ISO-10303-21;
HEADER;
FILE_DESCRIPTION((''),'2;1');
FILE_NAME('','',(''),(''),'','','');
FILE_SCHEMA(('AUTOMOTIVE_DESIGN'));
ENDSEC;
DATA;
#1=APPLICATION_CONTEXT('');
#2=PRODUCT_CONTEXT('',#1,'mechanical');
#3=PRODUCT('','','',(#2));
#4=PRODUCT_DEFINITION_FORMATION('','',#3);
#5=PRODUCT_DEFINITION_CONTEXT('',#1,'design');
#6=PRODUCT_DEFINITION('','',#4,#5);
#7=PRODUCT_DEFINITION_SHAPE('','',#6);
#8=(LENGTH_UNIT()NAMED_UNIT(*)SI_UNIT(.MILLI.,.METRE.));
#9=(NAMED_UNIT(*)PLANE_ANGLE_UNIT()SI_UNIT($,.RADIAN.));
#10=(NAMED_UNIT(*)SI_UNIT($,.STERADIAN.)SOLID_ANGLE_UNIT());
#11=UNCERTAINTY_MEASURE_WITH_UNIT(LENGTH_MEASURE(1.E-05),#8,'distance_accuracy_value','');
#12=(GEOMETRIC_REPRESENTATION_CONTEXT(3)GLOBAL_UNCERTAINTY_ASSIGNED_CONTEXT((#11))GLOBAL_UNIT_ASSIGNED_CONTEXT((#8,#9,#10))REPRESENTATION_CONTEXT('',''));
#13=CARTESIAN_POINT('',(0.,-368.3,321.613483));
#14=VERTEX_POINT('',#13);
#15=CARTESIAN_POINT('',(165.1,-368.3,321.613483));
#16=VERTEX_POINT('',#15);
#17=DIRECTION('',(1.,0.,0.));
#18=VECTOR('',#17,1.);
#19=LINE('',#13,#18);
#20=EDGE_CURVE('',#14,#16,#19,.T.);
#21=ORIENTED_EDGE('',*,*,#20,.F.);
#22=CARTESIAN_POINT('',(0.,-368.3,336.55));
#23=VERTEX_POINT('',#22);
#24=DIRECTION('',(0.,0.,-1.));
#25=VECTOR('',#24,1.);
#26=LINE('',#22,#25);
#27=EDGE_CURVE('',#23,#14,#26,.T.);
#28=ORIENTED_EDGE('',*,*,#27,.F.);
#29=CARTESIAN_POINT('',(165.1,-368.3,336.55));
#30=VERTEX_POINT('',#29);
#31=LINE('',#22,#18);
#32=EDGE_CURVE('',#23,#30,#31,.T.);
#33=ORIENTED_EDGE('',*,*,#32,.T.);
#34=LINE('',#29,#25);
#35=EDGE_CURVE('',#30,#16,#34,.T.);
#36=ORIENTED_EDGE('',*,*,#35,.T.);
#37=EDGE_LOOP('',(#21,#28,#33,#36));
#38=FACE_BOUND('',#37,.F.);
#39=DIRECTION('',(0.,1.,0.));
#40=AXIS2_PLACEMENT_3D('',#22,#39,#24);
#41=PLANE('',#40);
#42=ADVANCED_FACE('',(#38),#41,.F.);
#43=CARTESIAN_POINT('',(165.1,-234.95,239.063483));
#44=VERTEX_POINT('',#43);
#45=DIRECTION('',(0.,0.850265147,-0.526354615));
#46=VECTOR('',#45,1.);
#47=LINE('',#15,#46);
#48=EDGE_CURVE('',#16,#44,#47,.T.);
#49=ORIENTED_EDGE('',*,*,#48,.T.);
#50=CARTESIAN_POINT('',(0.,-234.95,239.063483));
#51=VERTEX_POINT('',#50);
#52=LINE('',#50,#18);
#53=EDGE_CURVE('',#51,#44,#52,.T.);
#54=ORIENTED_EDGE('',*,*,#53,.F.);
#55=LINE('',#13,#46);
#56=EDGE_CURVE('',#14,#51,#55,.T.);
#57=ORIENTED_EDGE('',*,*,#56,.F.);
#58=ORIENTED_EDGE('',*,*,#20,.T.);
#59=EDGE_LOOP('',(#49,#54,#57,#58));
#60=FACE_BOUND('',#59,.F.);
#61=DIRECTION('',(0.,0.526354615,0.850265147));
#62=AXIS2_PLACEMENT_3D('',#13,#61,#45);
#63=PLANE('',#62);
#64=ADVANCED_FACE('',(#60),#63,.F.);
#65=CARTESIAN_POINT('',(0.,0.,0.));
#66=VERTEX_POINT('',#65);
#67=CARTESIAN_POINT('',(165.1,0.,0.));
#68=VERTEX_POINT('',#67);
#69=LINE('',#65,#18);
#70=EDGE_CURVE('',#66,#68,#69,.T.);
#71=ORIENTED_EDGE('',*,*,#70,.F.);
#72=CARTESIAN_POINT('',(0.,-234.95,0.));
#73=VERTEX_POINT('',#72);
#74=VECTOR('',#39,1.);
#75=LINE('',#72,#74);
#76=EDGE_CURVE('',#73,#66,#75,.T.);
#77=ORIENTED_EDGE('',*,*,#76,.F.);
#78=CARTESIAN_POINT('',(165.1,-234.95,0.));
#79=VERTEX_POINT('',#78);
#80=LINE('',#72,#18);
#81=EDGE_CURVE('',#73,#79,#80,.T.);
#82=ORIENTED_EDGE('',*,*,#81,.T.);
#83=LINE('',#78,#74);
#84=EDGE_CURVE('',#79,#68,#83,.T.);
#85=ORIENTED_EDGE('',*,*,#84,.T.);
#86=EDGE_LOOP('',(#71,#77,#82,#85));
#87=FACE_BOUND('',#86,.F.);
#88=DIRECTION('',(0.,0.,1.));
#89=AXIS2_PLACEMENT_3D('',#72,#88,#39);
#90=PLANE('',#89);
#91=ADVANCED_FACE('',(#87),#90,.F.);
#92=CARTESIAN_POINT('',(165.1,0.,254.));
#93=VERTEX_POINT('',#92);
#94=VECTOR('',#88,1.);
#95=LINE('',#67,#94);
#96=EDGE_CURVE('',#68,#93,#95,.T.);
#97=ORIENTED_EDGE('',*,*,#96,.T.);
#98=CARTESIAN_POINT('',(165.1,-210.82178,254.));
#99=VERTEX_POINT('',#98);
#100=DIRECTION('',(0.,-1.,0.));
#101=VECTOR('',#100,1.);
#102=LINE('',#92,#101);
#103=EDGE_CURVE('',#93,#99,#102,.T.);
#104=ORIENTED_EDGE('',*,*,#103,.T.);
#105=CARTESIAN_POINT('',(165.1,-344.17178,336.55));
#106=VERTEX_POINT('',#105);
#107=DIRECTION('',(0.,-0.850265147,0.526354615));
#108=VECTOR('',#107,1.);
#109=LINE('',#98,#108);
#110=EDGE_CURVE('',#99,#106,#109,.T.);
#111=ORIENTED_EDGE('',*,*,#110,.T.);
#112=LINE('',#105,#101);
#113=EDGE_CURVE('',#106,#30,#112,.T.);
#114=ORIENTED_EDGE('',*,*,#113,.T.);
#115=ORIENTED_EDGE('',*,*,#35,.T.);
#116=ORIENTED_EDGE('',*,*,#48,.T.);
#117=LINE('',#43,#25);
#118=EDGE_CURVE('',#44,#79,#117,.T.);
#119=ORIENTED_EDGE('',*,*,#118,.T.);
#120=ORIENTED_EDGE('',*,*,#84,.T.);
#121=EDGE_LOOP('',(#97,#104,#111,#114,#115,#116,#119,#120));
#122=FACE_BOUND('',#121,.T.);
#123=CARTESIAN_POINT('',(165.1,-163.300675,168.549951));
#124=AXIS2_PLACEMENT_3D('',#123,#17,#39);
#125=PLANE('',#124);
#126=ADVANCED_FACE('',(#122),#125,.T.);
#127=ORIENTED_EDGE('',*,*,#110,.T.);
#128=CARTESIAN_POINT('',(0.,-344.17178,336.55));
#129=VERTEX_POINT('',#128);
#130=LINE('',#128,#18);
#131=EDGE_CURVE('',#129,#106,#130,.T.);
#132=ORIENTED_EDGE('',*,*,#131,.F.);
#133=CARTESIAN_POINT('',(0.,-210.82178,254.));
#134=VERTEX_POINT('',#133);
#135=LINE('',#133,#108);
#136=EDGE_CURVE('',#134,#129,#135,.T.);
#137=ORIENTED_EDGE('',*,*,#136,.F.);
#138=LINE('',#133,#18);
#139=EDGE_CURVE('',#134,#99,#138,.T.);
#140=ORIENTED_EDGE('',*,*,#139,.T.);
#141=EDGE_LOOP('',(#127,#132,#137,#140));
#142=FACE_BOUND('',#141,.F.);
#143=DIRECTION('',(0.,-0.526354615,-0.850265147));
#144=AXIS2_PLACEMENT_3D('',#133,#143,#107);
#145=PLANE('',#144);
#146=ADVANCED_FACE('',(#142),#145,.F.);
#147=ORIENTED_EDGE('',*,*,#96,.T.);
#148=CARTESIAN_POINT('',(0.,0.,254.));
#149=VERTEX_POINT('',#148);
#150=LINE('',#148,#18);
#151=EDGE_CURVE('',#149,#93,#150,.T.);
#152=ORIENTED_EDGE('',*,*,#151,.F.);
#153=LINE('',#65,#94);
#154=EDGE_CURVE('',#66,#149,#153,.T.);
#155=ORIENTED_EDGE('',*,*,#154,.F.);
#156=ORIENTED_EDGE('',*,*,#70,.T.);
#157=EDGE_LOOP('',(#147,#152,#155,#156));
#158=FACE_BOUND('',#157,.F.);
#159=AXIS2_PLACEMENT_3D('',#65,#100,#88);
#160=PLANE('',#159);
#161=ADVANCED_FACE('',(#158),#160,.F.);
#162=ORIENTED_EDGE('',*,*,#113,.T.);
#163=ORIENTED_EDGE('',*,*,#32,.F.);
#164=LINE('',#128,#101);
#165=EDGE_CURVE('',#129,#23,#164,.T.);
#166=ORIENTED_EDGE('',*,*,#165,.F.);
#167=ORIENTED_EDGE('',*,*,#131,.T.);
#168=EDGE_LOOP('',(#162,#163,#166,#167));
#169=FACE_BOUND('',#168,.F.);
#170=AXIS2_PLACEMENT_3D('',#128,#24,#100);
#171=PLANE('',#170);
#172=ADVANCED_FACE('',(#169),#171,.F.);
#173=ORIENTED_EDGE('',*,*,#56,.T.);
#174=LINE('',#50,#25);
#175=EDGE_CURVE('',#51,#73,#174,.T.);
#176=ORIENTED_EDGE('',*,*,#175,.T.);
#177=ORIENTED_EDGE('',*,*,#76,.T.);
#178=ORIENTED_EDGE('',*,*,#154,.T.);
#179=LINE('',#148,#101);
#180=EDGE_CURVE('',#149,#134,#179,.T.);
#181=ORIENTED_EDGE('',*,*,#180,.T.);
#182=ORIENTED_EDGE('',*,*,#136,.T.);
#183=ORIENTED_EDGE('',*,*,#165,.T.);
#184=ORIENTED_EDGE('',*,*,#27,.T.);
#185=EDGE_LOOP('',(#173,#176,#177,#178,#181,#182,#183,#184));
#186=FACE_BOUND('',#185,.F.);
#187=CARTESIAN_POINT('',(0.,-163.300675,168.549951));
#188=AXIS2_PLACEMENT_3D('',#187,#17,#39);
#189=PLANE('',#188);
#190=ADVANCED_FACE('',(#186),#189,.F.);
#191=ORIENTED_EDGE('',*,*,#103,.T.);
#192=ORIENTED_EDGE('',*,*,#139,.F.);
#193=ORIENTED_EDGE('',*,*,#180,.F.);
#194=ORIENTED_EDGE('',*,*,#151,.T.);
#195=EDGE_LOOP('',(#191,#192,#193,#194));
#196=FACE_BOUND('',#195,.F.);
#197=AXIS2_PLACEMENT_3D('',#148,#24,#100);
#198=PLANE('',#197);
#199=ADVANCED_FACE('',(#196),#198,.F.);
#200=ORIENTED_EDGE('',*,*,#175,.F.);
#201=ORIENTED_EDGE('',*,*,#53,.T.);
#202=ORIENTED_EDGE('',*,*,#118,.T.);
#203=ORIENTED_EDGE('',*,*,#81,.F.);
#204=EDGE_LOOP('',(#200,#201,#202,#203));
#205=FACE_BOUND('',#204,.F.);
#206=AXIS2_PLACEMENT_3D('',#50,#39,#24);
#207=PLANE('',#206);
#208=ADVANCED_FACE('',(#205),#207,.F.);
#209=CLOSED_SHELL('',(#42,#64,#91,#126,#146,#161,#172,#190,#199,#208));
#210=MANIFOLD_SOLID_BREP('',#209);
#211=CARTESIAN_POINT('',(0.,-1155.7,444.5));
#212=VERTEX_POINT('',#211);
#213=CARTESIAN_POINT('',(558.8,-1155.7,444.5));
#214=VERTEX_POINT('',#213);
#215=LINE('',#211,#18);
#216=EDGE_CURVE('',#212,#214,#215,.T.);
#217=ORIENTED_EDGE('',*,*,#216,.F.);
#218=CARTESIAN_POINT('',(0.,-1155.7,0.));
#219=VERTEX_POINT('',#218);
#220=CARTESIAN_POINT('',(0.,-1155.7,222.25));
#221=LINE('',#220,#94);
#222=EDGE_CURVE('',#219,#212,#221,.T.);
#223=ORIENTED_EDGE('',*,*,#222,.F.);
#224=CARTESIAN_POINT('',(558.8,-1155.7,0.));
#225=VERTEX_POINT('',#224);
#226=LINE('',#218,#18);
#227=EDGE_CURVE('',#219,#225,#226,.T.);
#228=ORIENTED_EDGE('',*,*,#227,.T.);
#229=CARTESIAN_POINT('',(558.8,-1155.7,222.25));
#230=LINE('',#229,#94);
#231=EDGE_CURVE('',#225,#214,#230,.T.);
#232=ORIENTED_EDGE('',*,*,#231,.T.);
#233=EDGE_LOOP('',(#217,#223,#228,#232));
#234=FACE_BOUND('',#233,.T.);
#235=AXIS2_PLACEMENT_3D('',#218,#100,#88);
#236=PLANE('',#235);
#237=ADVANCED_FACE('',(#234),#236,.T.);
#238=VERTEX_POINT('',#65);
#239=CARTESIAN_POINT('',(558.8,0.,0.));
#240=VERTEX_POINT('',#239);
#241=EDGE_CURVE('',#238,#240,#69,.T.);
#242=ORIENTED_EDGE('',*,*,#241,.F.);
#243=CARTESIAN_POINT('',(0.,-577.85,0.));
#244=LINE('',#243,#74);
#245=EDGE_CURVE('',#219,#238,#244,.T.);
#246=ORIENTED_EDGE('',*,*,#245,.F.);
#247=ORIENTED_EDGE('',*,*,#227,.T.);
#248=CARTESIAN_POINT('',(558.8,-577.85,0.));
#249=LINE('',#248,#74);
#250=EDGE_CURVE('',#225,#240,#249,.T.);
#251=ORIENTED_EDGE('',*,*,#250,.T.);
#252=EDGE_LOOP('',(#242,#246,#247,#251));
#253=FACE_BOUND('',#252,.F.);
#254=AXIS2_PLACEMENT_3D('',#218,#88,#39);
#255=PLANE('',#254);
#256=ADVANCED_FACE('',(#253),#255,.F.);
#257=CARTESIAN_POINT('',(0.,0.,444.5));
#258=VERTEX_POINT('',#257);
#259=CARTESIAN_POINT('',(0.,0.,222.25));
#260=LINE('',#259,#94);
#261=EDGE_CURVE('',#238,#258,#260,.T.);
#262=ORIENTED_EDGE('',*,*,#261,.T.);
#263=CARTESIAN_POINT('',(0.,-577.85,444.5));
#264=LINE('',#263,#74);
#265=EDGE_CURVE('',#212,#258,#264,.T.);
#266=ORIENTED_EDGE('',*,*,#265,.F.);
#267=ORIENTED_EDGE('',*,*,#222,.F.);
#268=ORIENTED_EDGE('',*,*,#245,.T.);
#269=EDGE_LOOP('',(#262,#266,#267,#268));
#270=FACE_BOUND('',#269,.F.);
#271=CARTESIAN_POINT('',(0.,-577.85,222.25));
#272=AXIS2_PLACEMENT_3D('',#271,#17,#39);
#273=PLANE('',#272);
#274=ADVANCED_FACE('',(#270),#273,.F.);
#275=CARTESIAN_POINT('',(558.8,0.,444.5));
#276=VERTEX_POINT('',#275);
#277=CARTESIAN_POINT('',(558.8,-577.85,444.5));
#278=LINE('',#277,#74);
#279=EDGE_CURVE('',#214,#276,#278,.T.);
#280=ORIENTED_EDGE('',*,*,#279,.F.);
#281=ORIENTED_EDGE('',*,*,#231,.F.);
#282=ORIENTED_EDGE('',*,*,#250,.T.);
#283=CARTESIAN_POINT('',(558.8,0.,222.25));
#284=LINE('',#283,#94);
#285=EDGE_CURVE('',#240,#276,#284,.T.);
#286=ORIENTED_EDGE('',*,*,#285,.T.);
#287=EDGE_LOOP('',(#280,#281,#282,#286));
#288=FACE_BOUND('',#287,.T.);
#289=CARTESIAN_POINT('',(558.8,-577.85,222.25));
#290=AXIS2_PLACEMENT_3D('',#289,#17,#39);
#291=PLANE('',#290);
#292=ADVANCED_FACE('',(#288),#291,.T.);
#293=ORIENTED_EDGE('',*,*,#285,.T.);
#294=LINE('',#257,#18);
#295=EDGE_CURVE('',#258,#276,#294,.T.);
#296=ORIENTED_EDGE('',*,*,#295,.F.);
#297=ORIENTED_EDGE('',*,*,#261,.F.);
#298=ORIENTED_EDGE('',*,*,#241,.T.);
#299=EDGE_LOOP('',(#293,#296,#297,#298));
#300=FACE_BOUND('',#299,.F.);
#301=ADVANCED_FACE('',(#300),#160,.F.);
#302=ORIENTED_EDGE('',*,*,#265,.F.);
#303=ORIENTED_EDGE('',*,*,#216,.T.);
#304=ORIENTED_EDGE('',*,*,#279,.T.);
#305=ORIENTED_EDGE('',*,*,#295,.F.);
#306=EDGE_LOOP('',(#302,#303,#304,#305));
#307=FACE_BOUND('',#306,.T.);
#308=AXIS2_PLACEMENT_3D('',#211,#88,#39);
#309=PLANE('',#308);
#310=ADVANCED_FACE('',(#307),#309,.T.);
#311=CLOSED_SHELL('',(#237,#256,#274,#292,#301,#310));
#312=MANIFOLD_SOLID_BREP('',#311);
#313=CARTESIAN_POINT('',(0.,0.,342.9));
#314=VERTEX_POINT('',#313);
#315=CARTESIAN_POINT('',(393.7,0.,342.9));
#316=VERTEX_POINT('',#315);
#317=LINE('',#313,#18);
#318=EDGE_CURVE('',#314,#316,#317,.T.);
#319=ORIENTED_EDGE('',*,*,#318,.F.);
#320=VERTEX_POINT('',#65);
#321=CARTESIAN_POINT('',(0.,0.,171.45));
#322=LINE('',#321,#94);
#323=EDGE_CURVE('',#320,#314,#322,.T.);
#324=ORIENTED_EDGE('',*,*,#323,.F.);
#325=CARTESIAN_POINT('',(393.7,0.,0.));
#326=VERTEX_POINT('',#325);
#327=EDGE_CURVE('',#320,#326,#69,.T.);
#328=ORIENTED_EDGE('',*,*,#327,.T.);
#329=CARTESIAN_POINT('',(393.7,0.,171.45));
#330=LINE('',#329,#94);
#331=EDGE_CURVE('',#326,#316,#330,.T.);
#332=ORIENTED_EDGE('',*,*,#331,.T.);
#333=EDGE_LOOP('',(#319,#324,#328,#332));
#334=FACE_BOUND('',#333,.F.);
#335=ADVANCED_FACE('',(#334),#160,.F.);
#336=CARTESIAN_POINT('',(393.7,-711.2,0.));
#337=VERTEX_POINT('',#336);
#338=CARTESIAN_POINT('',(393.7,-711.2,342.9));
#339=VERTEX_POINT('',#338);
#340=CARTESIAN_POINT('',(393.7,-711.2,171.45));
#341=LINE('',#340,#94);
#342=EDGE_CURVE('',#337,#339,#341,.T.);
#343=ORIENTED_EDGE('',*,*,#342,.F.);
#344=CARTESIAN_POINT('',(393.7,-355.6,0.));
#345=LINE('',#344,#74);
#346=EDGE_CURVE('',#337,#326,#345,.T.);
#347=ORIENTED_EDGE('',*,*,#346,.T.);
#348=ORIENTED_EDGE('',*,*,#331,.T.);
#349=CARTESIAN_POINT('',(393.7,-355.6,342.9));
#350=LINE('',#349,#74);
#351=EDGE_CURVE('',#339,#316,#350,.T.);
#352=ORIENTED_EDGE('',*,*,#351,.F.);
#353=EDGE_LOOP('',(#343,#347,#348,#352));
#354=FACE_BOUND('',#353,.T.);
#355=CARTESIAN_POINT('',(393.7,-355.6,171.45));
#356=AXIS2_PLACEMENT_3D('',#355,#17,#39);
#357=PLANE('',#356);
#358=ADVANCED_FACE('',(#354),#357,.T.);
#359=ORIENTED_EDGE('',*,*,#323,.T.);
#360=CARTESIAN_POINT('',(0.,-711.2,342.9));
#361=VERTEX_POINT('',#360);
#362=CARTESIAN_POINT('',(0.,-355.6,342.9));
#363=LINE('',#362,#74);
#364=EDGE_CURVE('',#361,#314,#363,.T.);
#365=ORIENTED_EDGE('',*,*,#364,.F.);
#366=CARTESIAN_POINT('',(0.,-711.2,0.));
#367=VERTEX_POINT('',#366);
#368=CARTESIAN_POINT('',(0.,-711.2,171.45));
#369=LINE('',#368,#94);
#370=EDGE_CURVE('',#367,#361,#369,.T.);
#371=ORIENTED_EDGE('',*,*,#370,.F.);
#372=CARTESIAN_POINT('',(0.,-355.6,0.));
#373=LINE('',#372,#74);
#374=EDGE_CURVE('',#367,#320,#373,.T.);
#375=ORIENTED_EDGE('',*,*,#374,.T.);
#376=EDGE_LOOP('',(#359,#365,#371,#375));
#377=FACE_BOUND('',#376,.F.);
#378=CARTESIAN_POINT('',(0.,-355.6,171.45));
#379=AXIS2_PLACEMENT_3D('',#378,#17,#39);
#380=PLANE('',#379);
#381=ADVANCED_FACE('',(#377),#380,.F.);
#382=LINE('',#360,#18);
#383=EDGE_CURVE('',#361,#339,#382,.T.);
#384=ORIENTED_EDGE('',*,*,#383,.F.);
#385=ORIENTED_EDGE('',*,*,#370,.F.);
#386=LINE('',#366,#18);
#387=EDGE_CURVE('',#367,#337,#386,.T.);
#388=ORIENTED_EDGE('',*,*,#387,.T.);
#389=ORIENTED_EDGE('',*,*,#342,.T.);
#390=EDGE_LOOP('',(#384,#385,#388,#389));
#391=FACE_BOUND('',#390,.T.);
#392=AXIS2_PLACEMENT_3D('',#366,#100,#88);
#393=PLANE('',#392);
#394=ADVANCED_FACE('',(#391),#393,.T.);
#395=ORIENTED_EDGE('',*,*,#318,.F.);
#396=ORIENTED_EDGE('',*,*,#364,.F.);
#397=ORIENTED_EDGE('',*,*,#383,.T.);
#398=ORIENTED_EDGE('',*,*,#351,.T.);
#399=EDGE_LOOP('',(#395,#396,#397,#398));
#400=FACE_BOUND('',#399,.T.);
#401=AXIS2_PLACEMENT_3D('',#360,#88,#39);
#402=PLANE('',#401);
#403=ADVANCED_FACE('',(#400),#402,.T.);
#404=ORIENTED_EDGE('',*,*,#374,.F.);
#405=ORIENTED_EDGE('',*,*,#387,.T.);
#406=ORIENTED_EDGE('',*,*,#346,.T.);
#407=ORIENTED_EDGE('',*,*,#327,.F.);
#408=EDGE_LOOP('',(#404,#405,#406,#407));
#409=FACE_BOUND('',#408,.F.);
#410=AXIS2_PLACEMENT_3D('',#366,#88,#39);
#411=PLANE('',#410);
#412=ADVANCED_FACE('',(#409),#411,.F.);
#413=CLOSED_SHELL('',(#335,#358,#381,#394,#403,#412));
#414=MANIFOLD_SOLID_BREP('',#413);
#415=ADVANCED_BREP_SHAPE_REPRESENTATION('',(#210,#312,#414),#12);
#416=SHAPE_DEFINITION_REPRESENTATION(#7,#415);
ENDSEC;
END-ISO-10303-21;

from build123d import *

# Parameters (mm, degrees)
F0_W     = 1155.7
F0_H     = 444.5
F1_DEPTH = 558.8
F2_W     = 711.2
F2_H     = 342.9
F3_DEPTH = 393.7
F5_DEPTH = 165.1


with BuildPart() as f1:
    # F0 (on Right) → F1 (new body)
    with BuildSketch(Plane.YZ):
        with Locations((-577.85, 222.25)):
            Rectangle(F0_W, F0_H)
    extrude(amount=F1_DEPTH)


with BuildPart() as f3:
    # F2 (on Right) → F3 (new body)
    with BuildSketch(Plane.YZ):
        with Locations((-355.6, 171.45)):
            Rectangle(F2_W, F2_H)
    extrude(amount=F3_DEPTH)


with BuildPart() as f5:
    # F4 (on Right) → F5 (new body)
    with BuildSketch(Plane.YZ):
        Polygon((-234.95, 0), (0, 0), (0, 254), (-210.82178, 254), (-344.17178, 336.55), (-368.3, 336.55), (-368.3, 321.613483), (-234.95, 239.063483), align=None)
    extrude(amount=F5_DEPTH)


solid = Compound([f1.part, f3.part, f5.part])
